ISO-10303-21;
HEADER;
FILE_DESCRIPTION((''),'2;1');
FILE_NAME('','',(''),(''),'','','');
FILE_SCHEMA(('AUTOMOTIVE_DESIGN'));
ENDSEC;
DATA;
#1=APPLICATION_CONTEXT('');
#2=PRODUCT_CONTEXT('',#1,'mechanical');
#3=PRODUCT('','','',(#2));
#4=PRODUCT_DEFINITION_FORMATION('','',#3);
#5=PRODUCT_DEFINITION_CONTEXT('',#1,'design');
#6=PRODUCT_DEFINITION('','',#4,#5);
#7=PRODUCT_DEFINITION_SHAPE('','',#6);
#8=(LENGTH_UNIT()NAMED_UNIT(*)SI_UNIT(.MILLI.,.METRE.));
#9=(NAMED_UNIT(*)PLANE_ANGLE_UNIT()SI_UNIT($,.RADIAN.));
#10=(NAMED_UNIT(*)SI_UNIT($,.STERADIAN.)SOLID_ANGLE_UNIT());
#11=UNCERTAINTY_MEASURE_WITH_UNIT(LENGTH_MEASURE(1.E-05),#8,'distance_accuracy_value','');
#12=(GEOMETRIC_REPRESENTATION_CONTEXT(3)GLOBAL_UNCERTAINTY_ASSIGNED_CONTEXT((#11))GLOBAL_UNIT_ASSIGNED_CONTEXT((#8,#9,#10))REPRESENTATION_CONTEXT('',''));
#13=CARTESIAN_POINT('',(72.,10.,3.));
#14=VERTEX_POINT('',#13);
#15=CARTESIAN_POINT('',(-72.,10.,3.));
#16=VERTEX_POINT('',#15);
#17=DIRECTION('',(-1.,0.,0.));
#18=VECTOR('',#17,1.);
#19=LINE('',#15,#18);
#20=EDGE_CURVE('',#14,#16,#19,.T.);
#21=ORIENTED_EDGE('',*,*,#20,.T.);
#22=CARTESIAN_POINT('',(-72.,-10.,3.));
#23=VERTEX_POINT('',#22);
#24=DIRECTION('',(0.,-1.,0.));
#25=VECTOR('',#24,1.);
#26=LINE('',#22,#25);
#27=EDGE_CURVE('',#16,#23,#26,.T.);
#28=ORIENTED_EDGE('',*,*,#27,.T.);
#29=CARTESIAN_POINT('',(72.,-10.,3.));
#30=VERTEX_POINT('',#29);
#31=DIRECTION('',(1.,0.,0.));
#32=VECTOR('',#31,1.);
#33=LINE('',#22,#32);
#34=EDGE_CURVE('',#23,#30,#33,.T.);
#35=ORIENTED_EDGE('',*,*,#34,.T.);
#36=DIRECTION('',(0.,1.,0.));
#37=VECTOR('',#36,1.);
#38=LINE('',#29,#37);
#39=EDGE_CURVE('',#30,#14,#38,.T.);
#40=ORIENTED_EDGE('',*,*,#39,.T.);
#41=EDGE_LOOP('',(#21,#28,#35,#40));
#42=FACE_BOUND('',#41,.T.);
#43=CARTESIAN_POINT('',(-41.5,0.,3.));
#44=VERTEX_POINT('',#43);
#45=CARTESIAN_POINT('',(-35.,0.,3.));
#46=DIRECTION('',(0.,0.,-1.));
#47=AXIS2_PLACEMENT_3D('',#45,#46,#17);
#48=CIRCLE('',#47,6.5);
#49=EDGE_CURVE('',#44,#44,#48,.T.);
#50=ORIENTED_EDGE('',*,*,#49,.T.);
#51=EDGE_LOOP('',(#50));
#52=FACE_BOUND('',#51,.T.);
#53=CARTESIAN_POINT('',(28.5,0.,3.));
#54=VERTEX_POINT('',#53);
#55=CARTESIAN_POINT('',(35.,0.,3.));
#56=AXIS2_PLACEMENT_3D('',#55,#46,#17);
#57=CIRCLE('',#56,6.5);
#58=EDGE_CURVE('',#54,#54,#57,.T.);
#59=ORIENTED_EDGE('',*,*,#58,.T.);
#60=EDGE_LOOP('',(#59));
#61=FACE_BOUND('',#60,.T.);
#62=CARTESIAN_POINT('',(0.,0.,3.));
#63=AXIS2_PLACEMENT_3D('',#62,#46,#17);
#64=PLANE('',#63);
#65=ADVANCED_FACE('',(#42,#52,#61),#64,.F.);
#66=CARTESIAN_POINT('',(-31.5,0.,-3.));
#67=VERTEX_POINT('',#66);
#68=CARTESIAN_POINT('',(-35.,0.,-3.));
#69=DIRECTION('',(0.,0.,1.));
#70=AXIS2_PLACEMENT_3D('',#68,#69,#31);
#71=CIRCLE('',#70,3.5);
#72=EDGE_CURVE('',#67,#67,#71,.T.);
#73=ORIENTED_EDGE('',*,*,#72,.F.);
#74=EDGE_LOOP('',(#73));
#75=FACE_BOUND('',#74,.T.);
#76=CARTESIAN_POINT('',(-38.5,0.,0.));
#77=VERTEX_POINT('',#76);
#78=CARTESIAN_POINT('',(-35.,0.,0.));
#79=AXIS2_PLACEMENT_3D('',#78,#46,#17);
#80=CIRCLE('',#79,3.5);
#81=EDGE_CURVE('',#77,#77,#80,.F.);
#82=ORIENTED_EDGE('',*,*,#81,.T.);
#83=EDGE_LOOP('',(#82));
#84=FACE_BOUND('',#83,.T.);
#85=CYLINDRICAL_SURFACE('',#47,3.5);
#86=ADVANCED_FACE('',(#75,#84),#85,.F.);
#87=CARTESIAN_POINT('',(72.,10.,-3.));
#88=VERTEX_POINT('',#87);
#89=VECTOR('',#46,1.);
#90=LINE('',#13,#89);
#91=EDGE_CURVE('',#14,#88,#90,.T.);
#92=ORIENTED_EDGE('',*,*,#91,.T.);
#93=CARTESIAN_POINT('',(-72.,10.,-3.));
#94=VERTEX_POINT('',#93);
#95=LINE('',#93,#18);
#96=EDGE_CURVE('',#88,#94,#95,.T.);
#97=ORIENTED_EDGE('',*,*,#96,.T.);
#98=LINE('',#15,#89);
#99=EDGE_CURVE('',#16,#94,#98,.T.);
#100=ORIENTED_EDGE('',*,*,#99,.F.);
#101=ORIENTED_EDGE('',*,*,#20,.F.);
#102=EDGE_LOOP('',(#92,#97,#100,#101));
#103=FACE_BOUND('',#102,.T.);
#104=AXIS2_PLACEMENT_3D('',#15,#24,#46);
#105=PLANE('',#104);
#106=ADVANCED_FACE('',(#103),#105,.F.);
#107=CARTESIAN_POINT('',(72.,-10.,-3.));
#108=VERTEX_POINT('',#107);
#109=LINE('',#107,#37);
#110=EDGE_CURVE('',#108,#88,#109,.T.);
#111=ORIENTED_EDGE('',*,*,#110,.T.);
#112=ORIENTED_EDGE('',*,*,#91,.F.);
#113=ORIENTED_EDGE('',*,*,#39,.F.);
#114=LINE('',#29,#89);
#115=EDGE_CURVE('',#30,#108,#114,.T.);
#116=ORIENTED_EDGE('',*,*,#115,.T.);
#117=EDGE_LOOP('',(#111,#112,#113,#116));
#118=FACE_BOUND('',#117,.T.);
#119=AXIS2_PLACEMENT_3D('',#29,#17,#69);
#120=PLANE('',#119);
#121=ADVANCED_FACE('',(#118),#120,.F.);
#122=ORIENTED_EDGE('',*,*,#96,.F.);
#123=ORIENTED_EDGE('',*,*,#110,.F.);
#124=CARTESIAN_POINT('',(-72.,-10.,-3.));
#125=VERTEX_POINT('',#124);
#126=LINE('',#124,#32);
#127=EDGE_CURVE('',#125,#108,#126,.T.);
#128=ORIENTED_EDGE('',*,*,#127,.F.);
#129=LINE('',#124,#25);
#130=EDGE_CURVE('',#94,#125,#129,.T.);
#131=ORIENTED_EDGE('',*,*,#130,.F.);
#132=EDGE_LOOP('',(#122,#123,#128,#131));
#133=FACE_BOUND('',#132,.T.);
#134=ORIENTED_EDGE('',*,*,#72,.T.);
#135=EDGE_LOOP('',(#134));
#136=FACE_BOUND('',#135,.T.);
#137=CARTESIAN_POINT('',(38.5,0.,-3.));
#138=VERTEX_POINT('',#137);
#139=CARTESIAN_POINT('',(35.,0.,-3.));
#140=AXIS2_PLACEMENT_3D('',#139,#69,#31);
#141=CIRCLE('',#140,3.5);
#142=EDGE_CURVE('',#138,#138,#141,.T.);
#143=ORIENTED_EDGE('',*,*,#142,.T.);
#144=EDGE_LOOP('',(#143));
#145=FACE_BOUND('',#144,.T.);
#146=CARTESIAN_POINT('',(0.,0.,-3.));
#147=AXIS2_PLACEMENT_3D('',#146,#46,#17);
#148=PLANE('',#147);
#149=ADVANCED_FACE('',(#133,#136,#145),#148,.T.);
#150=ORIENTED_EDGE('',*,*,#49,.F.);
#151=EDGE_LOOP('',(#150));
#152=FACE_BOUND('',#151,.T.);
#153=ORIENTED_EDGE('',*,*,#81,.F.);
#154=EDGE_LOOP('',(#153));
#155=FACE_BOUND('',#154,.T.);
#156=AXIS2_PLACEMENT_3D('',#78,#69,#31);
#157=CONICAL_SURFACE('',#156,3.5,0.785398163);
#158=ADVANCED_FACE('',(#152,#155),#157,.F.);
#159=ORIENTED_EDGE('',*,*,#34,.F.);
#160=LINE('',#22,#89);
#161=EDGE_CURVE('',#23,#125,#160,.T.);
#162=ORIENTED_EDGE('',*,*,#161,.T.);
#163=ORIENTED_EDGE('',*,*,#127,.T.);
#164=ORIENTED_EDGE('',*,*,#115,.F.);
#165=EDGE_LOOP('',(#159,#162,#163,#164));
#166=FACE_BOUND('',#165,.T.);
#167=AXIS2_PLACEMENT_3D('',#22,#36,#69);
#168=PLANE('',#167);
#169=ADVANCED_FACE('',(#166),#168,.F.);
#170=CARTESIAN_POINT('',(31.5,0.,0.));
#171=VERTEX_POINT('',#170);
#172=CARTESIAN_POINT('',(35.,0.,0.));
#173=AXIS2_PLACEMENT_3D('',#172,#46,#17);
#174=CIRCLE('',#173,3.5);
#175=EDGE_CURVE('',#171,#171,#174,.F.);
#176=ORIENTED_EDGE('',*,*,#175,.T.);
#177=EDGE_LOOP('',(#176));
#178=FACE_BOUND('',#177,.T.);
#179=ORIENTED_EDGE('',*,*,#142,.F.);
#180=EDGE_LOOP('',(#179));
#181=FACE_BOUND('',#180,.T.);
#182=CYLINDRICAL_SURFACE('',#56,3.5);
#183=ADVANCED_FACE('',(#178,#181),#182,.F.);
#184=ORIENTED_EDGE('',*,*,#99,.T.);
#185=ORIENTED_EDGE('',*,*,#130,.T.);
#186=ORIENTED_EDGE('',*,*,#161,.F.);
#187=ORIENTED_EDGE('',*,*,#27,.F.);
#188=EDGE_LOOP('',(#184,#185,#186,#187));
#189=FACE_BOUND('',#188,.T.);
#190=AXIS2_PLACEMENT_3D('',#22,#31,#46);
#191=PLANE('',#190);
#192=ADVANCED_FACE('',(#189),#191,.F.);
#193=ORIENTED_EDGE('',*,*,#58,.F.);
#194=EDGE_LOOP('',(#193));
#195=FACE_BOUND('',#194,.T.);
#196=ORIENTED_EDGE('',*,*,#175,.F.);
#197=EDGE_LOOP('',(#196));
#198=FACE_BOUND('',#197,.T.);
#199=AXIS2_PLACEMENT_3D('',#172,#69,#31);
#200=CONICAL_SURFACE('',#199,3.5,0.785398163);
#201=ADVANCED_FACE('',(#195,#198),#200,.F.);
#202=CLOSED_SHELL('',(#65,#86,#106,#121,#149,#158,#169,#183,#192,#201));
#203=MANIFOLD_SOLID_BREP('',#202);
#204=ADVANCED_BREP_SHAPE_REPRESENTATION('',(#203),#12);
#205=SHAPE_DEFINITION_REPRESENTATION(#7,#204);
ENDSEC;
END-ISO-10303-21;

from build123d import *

# Parameters (mm, degrees)
SKETCH1_W           = 144
SKETCH1_H           = 20
SKETCH1_R           = 3.5
BOSS_EXTRUDE1_DEPTH = 3
CHAMFER1_SIZE       = 3


with BuildPart() as part:
    # Sketch1 → Boss-Extrude1 (new body, symmetric)
    with BuildSketch(Plane.XY):
        Rectangle(SKETCH1_W, SKETCH1_H)
        with Locations((35, 0)):
            Circle(SKETCH1_R, mode=Mode.SUBTRACT)
        with Locations((-35, 0)):
            Circle(SKETCH1_R, mode=Mode.SUBTRACT)
    extrude(amount=BOSS_EXTRUDE1_DEPTH, both=True)

    # Chamfer1
    chamfer1_edges = [part.edges().sort_by_distance(p)[0] for p in [
        (31.5, 0, 3),
        (-38.5, 0, 3),
    ]]
    chamfer(chamfer1_edges, length=CHAMFER1_SIZE)


solid = part.part
